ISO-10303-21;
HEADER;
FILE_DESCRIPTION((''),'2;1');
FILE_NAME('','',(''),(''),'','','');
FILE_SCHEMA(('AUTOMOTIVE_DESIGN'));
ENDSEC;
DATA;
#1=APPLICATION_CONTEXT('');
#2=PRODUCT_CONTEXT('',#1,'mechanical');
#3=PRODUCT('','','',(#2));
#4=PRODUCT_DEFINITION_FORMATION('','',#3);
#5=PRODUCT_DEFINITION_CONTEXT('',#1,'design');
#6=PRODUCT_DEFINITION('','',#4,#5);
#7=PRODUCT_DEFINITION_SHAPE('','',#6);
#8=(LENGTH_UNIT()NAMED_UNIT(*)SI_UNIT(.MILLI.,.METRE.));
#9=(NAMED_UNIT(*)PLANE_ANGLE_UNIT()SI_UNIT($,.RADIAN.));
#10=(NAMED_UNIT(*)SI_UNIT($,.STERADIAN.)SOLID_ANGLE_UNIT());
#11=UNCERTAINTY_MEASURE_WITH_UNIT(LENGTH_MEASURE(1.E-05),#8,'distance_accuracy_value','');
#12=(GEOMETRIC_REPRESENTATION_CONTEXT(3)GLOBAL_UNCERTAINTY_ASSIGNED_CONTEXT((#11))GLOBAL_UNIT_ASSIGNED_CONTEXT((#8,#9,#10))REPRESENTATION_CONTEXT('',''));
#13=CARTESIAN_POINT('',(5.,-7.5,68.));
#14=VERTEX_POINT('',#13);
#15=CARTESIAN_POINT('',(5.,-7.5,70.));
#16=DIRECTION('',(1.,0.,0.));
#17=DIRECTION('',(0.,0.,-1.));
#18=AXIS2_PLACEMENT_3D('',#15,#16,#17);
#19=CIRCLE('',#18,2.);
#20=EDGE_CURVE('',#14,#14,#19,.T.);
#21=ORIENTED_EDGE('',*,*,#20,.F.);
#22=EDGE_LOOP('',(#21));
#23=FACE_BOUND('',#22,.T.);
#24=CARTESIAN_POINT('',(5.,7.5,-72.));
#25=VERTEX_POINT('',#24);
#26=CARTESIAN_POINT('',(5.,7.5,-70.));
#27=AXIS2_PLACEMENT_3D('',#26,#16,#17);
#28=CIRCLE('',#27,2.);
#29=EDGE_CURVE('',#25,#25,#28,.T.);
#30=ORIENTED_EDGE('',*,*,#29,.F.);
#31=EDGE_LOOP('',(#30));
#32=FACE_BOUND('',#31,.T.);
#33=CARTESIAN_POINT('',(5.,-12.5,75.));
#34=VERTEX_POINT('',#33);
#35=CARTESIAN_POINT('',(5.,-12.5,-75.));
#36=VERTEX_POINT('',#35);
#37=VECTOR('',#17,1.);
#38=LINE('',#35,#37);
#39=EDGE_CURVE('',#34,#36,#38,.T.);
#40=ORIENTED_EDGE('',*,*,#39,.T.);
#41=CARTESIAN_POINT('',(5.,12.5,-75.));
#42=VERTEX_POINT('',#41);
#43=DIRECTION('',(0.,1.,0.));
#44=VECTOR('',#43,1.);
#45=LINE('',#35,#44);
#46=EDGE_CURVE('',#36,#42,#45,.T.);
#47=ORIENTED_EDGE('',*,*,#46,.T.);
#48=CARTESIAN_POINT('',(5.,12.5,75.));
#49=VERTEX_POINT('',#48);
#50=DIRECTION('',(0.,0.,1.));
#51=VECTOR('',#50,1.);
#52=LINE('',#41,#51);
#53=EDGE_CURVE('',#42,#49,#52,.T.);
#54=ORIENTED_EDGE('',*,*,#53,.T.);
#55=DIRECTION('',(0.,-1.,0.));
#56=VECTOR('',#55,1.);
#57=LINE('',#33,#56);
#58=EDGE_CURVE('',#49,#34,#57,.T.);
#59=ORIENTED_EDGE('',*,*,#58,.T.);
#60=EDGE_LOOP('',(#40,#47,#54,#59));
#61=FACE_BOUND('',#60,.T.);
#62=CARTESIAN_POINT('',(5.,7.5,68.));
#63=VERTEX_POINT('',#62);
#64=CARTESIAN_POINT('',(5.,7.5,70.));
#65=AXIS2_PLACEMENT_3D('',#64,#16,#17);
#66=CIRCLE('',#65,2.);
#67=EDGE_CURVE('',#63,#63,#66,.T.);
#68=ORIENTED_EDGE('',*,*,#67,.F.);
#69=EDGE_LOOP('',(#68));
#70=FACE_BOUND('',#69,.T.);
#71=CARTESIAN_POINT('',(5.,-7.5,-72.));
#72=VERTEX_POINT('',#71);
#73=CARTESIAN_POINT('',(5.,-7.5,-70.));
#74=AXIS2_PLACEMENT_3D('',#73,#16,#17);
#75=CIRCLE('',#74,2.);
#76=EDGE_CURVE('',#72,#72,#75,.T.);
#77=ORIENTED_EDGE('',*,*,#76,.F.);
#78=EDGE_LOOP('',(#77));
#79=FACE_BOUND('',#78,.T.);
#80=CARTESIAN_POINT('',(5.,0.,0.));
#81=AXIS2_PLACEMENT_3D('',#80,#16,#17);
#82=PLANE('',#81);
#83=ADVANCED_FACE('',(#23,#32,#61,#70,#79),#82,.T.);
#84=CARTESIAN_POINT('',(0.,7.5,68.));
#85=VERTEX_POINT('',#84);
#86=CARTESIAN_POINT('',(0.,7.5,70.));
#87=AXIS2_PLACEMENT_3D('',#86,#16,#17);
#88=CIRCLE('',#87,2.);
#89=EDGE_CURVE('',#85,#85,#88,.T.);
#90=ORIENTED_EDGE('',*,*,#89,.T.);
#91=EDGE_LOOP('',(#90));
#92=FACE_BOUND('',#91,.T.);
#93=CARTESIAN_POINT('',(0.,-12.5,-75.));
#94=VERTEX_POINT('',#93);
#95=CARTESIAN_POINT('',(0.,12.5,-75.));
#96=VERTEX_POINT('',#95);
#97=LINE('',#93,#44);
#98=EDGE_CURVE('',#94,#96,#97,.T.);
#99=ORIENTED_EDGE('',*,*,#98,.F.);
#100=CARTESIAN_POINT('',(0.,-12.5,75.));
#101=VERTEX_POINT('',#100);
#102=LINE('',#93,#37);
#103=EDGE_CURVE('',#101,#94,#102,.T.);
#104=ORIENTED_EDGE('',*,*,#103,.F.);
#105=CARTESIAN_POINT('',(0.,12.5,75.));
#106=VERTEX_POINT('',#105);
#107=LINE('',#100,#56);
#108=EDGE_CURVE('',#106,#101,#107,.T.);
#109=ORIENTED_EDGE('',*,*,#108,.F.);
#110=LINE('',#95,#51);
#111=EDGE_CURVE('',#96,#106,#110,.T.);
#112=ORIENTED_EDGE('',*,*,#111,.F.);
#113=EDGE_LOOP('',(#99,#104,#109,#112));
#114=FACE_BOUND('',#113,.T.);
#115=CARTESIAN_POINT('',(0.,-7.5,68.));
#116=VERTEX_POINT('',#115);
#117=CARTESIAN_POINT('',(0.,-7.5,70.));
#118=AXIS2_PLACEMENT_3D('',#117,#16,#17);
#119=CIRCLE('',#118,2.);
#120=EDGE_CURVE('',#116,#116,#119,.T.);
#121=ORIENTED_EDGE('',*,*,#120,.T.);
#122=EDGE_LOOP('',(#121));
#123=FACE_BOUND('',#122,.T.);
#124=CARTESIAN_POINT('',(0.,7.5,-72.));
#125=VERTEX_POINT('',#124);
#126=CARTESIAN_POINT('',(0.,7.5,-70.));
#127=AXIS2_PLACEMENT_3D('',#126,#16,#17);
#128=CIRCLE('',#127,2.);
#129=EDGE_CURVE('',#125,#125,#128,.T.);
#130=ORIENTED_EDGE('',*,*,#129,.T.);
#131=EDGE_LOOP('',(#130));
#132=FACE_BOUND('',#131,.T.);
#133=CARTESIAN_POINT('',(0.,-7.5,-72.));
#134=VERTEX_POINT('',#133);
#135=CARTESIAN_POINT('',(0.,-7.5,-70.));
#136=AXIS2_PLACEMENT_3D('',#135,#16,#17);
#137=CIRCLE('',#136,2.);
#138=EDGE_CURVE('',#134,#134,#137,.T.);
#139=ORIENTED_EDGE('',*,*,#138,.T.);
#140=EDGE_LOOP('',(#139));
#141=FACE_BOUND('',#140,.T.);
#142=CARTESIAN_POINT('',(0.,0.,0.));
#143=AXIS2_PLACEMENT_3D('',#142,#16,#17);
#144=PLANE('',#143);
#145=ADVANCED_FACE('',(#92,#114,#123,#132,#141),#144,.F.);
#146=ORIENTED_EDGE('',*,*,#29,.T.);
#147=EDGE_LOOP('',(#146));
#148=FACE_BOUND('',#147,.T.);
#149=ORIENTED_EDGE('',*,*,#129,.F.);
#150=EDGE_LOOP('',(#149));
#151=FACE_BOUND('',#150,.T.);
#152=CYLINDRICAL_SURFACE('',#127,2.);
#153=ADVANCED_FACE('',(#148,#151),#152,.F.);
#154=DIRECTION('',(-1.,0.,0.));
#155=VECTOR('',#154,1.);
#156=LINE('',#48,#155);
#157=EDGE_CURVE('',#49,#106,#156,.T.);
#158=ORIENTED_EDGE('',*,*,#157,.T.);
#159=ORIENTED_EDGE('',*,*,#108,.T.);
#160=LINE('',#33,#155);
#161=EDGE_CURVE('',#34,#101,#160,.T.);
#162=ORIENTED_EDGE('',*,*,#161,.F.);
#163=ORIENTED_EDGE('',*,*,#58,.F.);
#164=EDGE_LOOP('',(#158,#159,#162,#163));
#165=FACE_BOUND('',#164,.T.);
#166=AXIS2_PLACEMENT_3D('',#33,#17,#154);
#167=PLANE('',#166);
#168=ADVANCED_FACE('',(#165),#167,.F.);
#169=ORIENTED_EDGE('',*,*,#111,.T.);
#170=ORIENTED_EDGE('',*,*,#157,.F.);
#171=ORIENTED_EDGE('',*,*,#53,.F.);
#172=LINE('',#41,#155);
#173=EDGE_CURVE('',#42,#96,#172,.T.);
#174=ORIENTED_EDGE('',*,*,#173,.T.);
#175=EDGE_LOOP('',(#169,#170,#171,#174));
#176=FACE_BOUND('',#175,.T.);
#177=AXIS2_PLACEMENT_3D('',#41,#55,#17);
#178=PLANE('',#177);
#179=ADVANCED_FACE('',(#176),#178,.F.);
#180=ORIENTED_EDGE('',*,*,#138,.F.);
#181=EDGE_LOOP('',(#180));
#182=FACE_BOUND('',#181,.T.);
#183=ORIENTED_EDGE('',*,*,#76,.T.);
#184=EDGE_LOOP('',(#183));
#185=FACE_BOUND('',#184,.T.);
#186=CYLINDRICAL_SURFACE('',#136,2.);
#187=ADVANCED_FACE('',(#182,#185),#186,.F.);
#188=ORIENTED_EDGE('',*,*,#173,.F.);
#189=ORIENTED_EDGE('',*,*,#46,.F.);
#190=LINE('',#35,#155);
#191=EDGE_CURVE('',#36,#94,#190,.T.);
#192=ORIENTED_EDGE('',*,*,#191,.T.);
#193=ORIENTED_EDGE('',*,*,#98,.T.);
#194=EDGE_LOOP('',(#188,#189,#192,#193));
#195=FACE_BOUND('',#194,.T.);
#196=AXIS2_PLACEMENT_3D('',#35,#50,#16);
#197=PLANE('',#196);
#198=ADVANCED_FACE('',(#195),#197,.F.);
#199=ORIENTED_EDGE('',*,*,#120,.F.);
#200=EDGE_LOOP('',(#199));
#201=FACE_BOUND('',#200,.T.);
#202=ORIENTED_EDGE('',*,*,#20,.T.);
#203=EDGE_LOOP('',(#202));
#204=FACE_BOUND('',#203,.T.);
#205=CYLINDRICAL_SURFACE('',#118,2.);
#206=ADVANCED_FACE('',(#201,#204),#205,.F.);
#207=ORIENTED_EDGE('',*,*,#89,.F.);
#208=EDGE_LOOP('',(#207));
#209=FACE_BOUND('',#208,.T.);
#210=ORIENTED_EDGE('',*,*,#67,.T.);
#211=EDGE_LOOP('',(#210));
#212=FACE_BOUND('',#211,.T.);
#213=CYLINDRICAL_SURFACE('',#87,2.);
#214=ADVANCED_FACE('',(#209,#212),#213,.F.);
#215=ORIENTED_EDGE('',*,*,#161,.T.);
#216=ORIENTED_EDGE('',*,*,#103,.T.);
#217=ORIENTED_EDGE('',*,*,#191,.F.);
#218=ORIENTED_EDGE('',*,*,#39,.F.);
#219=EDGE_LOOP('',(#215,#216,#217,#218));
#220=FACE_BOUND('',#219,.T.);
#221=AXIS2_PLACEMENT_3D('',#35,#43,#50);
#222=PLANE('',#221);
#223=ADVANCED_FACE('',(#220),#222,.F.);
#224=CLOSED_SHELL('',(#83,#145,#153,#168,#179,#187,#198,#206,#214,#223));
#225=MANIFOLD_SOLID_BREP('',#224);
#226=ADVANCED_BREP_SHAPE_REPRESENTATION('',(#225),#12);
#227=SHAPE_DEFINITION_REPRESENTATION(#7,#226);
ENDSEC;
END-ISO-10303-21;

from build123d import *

# Parameters (mm, degrees)
SKETCH1_W           = 150
SKETCH1_H           = 25
BOSS_EXTRUDE1_DEPTH = 5
SKETCH2_R           = 2
CUT_EXTRUDE1_DEPTH  = 5


with BuildPart() as part:
    # Sketch1 → Boss-Extrude1 (new body)
    with BuildSketch(Plane(origin=(0, 0, 0), x_dir=(0, 0, -1), z_dir=(1, 0, 0))):
        Rectangle(SKETCH1_W, SKETCH1_H)
    extrude(amount=BOSS_EXTRUDE1_DEPTH)

    # Sketch2 → Cut-Extrude1 (cut)
    with BuildSketch(Plane(origin=(5, 0, 0), x_dir=(0, 0, -1), z_dir=(1, 0, 0))):
        with Locations((-70, 7.5)):
            Circle(SKETCH2_R)
        with Locations((-70, -7.5)):
            Circle(SKETCH2_R)
        with Locations((70, -7.5)):
            Circle(SKETCH2_R)
        with Locations((70, 7.5)):
            Circle(SKETCH2_R)
    extrude(amount=-CUT_EXTRUDE1_DEPTH, mode=Mode.SUBTRACT)


solid = part.part
